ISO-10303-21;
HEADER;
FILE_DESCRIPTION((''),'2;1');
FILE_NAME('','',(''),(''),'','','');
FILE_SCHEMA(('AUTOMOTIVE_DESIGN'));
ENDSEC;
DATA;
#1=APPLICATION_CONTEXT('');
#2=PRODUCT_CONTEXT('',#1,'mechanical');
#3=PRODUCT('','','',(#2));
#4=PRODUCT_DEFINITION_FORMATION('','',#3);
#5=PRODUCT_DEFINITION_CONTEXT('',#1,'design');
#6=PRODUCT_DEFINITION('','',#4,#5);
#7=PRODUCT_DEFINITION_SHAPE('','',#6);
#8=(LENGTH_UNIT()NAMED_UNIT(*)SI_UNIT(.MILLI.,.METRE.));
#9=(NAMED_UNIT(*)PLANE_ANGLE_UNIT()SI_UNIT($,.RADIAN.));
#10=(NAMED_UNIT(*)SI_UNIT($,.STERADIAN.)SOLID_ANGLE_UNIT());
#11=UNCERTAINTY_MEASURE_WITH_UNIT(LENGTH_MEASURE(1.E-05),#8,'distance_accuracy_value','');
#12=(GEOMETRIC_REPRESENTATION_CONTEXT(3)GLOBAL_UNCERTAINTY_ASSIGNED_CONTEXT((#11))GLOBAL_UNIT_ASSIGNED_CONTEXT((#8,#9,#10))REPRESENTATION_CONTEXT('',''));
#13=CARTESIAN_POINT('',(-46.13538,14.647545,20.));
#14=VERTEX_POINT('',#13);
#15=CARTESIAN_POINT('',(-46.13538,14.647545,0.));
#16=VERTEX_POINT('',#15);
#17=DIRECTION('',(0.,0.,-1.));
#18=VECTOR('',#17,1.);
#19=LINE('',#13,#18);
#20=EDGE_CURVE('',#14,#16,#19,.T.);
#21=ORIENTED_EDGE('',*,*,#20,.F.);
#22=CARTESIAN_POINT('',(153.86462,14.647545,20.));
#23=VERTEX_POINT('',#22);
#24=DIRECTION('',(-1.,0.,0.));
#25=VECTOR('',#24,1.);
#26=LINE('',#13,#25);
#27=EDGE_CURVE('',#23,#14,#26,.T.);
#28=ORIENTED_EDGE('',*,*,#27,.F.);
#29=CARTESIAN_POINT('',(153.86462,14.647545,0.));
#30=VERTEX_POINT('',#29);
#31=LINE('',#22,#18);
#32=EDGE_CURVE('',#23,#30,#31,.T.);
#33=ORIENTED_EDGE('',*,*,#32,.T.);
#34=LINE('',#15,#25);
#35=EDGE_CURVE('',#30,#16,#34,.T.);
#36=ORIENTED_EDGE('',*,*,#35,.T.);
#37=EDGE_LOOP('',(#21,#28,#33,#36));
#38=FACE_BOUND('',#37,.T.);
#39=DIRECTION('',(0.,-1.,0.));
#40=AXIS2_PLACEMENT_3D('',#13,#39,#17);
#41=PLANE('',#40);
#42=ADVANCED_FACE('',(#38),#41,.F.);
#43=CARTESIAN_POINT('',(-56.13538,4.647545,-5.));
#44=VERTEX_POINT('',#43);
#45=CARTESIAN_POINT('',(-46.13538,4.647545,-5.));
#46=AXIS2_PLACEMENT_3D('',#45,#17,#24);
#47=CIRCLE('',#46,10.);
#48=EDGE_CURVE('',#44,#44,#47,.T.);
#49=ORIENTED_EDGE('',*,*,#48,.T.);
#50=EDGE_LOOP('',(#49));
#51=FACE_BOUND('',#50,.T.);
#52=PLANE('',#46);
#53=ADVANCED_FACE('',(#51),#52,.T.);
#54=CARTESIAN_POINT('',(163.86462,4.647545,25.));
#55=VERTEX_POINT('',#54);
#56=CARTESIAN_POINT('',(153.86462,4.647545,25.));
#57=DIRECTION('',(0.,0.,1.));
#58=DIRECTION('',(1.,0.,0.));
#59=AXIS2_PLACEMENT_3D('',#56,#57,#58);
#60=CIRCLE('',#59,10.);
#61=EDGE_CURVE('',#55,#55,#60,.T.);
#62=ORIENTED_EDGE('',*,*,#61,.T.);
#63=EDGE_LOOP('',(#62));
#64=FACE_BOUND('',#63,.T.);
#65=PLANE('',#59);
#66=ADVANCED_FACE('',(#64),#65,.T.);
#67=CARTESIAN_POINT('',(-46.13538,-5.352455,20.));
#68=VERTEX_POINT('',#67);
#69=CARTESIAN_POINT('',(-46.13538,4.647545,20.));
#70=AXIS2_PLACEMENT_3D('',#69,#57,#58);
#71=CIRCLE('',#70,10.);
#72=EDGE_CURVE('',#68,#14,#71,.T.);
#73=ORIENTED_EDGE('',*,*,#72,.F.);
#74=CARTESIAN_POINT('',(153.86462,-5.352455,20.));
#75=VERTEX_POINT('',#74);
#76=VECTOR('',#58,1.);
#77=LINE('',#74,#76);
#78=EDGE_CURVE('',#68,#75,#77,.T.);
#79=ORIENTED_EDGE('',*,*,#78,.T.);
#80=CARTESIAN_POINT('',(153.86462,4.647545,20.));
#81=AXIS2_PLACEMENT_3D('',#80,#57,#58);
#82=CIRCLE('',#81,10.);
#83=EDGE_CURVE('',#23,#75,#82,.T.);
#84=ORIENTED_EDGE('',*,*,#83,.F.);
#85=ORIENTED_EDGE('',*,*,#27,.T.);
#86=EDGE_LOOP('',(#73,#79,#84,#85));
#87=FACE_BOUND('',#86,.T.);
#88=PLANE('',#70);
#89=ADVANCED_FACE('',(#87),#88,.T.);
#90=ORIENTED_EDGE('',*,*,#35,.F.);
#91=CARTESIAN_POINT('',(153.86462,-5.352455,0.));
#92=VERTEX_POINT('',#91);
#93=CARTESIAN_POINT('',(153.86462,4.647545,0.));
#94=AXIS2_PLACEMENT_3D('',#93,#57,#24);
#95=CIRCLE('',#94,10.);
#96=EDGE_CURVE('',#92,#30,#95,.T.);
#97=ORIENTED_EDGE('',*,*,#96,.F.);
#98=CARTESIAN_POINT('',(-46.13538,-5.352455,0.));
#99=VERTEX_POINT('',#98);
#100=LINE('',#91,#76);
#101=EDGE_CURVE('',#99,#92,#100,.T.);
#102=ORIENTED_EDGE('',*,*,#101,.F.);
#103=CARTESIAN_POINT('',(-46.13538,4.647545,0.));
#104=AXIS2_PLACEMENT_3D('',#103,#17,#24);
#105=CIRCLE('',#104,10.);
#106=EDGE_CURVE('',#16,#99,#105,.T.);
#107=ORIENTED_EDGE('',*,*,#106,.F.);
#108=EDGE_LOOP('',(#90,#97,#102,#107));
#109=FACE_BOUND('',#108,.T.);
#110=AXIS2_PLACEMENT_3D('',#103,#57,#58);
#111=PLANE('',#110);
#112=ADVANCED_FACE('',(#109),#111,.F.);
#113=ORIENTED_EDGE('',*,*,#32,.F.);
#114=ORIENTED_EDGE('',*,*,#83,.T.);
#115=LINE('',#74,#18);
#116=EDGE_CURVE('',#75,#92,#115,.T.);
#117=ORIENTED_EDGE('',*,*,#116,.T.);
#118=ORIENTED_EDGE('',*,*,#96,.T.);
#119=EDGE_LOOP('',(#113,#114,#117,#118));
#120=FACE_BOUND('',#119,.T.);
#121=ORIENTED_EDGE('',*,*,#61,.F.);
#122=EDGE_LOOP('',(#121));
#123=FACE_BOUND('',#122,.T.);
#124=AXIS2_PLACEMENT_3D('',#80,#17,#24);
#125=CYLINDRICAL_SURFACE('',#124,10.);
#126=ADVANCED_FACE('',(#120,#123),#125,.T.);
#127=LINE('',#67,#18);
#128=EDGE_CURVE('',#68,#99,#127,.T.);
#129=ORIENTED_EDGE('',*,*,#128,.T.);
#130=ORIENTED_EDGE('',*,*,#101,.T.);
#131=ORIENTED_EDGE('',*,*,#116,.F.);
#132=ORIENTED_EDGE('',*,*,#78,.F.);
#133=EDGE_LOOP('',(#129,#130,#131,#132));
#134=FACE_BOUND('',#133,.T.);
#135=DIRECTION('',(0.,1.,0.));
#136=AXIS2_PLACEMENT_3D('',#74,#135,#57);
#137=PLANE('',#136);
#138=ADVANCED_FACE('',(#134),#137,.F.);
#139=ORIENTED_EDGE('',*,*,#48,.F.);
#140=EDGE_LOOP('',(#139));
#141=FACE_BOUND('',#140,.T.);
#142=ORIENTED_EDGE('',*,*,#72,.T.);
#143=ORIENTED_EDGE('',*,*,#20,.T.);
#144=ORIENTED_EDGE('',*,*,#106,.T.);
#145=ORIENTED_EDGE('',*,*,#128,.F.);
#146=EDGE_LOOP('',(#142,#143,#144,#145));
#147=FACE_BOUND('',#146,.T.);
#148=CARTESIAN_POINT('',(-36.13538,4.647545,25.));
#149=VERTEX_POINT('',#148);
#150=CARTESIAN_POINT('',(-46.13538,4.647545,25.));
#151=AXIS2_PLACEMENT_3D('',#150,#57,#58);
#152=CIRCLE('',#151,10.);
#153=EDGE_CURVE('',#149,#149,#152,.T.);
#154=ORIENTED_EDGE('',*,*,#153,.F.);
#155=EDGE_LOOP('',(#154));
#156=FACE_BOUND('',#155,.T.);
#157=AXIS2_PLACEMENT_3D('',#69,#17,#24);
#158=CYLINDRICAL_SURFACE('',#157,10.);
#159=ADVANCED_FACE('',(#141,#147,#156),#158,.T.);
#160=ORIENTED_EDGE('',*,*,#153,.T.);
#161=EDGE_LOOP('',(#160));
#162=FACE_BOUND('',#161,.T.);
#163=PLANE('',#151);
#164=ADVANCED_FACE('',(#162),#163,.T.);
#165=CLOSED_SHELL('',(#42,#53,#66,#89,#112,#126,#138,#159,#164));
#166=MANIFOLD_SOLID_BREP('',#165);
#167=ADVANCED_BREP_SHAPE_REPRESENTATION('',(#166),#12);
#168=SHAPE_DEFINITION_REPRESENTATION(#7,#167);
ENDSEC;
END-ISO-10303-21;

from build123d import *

# Parameters (mm, degrees)
BOSS_EXTRUDE1_DEPTH = 20
SKETCH2_R           = 10
BOSS_EXTRUDE2_DEPTH = 5
BOSS_EXTRUDE3_START = 5
SKETCH3_R           = 10
BOSS_EXTRUDE3_DEPTH = 5
SKETCH4_R           = 10
BOSS_EXTRUDE4_DEPTH = 5


with BuildPart() as part:
    # Sketch1 → Boss-Extrude1 (new body)
    with BuildSketch(Plane.XY):
        with BuildLine():
            Line((-46.135379716, 14.647544511), (153.864620284, 14.647544511))
            ThreePointArc((153.864620284, 14.647544511), (160.935688096, 11.718612322), (163.864620284, 4.647544511))
            ThreePointArc((163.864620284, 4.647544511), (160.935688096, -2.423523301), (153.864620284, -5.352455489))
            Line((153.864620284, -5.352455489), (-46.135379716, -5.352455489))
            ThreePointArc((-46.135379716, -5.352455489), (-53.206447528, -2.423523301), (-56.135379716, 4.647544511))
            ThreePointArc((-56.135379716, 4.647544511), (-53.206447528, 11.718612322), (-46.135379716, 14.647544511))
        make_face()
    extrude(amount=BOSS_EXTRUDE1_DEPTH)

    # Sketch2 → Boss-Extrude2 (add)
    with BuildSketch(Plane.XY.offset(20)):
        with Locations(Location((-46.135379716, 4.647544511, 0), (0, 0, 270))):
            Circle(SKETCH2_R)
    extrude(amount=BOSS_EXTRUDE2_DEPTH)

    # Sketch3 → Boss-Extrude3 (add)
    with BuildSketch(Plane(origin=(0, 0, 0), x_dir=(-1, 0, 0), z_dir=(0, 0, -1)).offset(BOSS_EXTRUDE3_START)):
        with Locations((46.135379716, 4.647544511)):
            Circle(SKETCH3_R)
    extrude(amount=-BOSS_EXTRUDE3_DEPTH)

    # Sketch4 → Boss-Extrude4 (add)
    with BuildSketch(Plane.XY.offset(20)):
        with Locations(Location((153.864620284, 4.647544511, 0), (0, 0, 90))):
            Circle(SKETCH4_R)
    extrude(amount=BOSS_EXTRUDE4_DEPTH)


solid = part.part
